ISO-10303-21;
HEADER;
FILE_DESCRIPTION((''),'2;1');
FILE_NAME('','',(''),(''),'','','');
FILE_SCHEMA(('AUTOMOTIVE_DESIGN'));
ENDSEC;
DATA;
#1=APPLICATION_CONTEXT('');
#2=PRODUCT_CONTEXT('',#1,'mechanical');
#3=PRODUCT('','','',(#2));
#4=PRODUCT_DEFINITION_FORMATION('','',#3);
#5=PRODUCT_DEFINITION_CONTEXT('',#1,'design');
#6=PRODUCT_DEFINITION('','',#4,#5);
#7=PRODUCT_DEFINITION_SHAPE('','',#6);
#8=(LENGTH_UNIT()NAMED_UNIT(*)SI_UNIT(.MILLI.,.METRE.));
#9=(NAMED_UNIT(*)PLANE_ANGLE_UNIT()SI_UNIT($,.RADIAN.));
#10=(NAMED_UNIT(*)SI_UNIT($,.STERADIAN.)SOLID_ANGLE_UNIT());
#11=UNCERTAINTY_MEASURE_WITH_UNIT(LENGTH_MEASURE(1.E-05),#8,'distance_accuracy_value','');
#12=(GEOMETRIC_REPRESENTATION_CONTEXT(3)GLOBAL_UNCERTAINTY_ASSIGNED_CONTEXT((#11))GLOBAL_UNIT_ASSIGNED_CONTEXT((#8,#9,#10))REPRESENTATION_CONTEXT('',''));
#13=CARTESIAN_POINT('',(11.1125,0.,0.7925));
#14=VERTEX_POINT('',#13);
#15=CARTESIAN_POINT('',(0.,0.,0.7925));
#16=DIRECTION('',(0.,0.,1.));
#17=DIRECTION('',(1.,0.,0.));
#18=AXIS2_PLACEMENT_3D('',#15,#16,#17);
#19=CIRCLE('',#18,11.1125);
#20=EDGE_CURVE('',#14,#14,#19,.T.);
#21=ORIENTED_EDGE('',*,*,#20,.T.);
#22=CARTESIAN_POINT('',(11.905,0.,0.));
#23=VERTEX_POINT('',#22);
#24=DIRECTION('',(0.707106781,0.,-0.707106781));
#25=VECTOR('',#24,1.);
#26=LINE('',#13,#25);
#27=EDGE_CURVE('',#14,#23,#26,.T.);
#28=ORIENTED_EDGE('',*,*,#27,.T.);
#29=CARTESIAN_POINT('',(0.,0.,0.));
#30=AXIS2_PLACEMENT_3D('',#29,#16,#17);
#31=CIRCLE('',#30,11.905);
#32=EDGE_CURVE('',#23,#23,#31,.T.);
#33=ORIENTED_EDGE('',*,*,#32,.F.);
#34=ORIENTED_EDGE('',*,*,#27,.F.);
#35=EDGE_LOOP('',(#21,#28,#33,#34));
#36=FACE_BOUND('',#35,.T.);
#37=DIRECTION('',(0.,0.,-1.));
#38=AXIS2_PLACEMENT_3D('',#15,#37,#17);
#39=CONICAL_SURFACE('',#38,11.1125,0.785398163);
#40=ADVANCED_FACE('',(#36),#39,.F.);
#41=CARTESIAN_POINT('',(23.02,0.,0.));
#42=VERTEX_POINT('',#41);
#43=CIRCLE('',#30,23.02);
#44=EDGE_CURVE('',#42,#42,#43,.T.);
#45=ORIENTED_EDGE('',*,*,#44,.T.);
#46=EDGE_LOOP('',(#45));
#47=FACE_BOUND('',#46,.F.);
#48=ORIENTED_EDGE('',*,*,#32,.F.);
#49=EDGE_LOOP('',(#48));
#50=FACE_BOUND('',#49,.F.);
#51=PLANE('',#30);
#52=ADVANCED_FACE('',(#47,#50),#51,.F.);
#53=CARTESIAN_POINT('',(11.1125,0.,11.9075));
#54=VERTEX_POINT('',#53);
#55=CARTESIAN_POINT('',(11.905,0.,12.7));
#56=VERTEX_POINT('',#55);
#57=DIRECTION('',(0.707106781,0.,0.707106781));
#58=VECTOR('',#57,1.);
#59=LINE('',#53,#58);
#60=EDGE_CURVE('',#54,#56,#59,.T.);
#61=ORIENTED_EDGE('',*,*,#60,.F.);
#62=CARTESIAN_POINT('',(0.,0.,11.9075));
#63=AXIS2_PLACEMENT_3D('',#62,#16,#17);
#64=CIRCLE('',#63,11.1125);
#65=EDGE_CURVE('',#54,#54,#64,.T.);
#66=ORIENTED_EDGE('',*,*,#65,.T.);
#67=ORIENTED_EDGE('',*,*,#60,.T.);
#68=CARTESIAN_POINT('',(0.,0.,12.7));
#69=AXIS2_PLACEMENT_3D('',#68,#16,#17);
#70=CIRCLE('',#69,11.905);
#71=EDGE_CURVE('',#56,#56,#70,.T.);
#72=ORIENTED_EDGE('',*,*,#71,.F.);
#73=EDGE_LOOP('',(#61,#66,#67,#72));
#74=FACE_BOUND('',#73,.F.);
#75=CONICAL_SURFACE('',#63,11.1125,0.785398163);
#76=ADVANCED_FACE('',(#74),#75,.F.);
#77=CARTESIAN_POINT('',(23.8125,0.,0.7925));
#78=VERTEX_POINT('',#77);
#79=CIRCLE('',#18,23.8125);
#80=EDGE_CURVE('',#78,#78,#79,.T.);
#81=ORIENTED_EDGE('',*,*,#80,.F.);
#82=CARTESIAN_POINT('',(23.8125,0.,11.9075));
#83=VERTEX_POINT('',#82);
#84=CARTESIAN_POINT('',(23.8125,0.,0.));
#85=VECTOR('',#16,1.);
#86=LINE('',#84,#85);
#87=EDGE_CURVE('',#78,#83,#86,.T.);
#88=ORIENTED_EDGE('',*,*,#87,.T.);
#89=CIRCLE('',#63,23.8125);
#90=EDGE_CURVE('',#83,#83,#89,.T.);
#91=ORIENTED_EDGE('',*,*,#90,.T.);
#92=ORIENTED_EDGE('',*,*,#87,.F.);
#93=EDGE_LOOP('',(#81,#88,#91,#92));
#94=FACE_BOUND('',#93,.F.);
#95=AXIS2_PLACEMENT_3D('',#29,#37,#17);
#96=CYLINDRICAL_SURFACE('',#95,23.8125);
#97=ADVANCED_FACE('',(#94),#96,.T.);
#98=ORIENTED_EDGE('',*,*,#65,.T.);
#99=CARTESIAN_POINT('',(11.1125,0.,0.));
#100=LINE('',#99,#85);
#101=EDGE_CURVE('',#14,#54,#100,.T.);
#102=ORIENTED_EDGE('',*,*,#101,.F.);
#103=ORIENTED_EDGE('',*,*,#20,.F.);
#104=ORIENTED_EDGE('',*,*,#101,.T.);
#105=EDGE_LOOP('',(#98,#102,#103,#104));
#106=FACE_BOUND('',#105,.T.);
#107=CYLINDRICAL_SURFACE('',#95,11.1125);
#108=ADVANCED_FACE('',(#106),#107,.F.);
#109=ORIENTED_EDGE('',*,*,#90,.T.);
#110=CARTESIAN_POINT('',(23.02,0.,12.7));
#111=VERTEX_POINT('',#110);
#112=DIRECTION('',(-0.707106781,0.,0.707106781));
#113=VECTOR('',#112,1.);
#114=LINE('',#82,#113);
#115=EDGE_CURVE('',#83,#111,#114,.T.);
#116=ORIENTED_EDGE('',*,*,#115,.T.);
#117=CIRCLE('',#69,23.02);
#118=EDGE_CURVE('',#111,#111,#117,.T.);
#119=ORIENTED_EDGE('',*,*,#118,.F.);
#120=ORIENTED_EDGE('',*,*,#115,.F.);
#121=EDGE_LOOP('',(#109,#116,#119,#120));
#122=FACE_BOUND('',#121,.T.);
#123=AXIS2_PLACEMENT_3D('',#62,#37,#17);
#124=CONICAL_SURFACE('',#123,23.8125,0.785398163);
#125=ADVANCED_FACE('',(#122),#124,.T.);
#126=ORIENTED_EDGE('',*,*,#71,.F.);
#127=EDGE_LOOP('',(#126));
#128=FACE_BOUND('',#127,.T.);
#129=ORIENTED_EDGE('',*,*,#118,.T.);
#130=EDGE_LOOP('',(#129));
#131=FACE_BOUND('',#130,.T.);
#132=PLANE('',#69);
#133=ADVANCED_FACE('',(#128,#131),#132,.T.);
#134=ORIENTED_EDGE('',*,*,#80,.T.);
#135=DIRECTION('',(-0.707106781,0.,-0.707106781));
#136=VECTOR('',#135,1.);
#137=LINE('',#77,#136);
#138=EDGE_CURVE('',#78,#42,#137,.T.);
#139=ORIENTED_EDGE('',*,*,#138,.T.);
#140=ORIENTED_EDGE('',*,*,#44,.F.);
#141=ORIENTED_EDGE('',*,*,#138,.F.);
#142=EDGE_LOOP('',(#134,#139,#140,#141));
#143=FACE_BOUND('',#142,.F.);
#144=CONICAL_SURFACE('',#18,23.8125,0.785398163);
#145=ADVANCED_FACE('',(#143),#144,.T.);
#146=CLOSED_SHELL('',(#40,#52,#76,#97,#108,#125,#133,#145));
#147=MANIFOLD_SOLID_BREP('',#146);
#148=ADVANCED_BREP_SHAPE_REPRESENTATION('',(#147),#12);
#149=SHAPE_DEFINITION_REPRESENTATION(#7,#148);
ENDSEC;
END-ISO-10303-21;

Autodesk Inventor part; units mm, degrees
ref_plane "YZ Plane" through (0, 0, 0) normal (1, 0, 0) x (0, 1, 0)
ref_plane "XZ Plane" through (0, 0, 0) normal (0, 1, 0) x (-1, 0, 0)
ref_plane "XY Plane" through (0, 0, 0) normal (0, 0, 1) x (1, 0, 0)
sketch "Sketch1" plane through (0, 0, 0) normal (0, 0, 1) x (1, 0, 0)
  circle A0 centre (0, 0) radius 23.8125
  circle A1 centre (0, 0) radius 11.1125
  dimension "d0" = 47.625
  dimension "d1" = 22.225
extrude "Extrusion1" add sketch "Sketch1" along normal blind 12.7
chamfer "Chamfer1" distance 0.7925 angle 45 4 edges at (-11.1125, 0, 12.7) (-11.1125, 0, 0) (-23.8125, 0, 12.7) (-23.8125, 0, 0)
properties part number "0_875_ID_x_1_875_OD_X_0_500_Radial_Bearing_EE11S-2RS" material "Steel, Mild"
